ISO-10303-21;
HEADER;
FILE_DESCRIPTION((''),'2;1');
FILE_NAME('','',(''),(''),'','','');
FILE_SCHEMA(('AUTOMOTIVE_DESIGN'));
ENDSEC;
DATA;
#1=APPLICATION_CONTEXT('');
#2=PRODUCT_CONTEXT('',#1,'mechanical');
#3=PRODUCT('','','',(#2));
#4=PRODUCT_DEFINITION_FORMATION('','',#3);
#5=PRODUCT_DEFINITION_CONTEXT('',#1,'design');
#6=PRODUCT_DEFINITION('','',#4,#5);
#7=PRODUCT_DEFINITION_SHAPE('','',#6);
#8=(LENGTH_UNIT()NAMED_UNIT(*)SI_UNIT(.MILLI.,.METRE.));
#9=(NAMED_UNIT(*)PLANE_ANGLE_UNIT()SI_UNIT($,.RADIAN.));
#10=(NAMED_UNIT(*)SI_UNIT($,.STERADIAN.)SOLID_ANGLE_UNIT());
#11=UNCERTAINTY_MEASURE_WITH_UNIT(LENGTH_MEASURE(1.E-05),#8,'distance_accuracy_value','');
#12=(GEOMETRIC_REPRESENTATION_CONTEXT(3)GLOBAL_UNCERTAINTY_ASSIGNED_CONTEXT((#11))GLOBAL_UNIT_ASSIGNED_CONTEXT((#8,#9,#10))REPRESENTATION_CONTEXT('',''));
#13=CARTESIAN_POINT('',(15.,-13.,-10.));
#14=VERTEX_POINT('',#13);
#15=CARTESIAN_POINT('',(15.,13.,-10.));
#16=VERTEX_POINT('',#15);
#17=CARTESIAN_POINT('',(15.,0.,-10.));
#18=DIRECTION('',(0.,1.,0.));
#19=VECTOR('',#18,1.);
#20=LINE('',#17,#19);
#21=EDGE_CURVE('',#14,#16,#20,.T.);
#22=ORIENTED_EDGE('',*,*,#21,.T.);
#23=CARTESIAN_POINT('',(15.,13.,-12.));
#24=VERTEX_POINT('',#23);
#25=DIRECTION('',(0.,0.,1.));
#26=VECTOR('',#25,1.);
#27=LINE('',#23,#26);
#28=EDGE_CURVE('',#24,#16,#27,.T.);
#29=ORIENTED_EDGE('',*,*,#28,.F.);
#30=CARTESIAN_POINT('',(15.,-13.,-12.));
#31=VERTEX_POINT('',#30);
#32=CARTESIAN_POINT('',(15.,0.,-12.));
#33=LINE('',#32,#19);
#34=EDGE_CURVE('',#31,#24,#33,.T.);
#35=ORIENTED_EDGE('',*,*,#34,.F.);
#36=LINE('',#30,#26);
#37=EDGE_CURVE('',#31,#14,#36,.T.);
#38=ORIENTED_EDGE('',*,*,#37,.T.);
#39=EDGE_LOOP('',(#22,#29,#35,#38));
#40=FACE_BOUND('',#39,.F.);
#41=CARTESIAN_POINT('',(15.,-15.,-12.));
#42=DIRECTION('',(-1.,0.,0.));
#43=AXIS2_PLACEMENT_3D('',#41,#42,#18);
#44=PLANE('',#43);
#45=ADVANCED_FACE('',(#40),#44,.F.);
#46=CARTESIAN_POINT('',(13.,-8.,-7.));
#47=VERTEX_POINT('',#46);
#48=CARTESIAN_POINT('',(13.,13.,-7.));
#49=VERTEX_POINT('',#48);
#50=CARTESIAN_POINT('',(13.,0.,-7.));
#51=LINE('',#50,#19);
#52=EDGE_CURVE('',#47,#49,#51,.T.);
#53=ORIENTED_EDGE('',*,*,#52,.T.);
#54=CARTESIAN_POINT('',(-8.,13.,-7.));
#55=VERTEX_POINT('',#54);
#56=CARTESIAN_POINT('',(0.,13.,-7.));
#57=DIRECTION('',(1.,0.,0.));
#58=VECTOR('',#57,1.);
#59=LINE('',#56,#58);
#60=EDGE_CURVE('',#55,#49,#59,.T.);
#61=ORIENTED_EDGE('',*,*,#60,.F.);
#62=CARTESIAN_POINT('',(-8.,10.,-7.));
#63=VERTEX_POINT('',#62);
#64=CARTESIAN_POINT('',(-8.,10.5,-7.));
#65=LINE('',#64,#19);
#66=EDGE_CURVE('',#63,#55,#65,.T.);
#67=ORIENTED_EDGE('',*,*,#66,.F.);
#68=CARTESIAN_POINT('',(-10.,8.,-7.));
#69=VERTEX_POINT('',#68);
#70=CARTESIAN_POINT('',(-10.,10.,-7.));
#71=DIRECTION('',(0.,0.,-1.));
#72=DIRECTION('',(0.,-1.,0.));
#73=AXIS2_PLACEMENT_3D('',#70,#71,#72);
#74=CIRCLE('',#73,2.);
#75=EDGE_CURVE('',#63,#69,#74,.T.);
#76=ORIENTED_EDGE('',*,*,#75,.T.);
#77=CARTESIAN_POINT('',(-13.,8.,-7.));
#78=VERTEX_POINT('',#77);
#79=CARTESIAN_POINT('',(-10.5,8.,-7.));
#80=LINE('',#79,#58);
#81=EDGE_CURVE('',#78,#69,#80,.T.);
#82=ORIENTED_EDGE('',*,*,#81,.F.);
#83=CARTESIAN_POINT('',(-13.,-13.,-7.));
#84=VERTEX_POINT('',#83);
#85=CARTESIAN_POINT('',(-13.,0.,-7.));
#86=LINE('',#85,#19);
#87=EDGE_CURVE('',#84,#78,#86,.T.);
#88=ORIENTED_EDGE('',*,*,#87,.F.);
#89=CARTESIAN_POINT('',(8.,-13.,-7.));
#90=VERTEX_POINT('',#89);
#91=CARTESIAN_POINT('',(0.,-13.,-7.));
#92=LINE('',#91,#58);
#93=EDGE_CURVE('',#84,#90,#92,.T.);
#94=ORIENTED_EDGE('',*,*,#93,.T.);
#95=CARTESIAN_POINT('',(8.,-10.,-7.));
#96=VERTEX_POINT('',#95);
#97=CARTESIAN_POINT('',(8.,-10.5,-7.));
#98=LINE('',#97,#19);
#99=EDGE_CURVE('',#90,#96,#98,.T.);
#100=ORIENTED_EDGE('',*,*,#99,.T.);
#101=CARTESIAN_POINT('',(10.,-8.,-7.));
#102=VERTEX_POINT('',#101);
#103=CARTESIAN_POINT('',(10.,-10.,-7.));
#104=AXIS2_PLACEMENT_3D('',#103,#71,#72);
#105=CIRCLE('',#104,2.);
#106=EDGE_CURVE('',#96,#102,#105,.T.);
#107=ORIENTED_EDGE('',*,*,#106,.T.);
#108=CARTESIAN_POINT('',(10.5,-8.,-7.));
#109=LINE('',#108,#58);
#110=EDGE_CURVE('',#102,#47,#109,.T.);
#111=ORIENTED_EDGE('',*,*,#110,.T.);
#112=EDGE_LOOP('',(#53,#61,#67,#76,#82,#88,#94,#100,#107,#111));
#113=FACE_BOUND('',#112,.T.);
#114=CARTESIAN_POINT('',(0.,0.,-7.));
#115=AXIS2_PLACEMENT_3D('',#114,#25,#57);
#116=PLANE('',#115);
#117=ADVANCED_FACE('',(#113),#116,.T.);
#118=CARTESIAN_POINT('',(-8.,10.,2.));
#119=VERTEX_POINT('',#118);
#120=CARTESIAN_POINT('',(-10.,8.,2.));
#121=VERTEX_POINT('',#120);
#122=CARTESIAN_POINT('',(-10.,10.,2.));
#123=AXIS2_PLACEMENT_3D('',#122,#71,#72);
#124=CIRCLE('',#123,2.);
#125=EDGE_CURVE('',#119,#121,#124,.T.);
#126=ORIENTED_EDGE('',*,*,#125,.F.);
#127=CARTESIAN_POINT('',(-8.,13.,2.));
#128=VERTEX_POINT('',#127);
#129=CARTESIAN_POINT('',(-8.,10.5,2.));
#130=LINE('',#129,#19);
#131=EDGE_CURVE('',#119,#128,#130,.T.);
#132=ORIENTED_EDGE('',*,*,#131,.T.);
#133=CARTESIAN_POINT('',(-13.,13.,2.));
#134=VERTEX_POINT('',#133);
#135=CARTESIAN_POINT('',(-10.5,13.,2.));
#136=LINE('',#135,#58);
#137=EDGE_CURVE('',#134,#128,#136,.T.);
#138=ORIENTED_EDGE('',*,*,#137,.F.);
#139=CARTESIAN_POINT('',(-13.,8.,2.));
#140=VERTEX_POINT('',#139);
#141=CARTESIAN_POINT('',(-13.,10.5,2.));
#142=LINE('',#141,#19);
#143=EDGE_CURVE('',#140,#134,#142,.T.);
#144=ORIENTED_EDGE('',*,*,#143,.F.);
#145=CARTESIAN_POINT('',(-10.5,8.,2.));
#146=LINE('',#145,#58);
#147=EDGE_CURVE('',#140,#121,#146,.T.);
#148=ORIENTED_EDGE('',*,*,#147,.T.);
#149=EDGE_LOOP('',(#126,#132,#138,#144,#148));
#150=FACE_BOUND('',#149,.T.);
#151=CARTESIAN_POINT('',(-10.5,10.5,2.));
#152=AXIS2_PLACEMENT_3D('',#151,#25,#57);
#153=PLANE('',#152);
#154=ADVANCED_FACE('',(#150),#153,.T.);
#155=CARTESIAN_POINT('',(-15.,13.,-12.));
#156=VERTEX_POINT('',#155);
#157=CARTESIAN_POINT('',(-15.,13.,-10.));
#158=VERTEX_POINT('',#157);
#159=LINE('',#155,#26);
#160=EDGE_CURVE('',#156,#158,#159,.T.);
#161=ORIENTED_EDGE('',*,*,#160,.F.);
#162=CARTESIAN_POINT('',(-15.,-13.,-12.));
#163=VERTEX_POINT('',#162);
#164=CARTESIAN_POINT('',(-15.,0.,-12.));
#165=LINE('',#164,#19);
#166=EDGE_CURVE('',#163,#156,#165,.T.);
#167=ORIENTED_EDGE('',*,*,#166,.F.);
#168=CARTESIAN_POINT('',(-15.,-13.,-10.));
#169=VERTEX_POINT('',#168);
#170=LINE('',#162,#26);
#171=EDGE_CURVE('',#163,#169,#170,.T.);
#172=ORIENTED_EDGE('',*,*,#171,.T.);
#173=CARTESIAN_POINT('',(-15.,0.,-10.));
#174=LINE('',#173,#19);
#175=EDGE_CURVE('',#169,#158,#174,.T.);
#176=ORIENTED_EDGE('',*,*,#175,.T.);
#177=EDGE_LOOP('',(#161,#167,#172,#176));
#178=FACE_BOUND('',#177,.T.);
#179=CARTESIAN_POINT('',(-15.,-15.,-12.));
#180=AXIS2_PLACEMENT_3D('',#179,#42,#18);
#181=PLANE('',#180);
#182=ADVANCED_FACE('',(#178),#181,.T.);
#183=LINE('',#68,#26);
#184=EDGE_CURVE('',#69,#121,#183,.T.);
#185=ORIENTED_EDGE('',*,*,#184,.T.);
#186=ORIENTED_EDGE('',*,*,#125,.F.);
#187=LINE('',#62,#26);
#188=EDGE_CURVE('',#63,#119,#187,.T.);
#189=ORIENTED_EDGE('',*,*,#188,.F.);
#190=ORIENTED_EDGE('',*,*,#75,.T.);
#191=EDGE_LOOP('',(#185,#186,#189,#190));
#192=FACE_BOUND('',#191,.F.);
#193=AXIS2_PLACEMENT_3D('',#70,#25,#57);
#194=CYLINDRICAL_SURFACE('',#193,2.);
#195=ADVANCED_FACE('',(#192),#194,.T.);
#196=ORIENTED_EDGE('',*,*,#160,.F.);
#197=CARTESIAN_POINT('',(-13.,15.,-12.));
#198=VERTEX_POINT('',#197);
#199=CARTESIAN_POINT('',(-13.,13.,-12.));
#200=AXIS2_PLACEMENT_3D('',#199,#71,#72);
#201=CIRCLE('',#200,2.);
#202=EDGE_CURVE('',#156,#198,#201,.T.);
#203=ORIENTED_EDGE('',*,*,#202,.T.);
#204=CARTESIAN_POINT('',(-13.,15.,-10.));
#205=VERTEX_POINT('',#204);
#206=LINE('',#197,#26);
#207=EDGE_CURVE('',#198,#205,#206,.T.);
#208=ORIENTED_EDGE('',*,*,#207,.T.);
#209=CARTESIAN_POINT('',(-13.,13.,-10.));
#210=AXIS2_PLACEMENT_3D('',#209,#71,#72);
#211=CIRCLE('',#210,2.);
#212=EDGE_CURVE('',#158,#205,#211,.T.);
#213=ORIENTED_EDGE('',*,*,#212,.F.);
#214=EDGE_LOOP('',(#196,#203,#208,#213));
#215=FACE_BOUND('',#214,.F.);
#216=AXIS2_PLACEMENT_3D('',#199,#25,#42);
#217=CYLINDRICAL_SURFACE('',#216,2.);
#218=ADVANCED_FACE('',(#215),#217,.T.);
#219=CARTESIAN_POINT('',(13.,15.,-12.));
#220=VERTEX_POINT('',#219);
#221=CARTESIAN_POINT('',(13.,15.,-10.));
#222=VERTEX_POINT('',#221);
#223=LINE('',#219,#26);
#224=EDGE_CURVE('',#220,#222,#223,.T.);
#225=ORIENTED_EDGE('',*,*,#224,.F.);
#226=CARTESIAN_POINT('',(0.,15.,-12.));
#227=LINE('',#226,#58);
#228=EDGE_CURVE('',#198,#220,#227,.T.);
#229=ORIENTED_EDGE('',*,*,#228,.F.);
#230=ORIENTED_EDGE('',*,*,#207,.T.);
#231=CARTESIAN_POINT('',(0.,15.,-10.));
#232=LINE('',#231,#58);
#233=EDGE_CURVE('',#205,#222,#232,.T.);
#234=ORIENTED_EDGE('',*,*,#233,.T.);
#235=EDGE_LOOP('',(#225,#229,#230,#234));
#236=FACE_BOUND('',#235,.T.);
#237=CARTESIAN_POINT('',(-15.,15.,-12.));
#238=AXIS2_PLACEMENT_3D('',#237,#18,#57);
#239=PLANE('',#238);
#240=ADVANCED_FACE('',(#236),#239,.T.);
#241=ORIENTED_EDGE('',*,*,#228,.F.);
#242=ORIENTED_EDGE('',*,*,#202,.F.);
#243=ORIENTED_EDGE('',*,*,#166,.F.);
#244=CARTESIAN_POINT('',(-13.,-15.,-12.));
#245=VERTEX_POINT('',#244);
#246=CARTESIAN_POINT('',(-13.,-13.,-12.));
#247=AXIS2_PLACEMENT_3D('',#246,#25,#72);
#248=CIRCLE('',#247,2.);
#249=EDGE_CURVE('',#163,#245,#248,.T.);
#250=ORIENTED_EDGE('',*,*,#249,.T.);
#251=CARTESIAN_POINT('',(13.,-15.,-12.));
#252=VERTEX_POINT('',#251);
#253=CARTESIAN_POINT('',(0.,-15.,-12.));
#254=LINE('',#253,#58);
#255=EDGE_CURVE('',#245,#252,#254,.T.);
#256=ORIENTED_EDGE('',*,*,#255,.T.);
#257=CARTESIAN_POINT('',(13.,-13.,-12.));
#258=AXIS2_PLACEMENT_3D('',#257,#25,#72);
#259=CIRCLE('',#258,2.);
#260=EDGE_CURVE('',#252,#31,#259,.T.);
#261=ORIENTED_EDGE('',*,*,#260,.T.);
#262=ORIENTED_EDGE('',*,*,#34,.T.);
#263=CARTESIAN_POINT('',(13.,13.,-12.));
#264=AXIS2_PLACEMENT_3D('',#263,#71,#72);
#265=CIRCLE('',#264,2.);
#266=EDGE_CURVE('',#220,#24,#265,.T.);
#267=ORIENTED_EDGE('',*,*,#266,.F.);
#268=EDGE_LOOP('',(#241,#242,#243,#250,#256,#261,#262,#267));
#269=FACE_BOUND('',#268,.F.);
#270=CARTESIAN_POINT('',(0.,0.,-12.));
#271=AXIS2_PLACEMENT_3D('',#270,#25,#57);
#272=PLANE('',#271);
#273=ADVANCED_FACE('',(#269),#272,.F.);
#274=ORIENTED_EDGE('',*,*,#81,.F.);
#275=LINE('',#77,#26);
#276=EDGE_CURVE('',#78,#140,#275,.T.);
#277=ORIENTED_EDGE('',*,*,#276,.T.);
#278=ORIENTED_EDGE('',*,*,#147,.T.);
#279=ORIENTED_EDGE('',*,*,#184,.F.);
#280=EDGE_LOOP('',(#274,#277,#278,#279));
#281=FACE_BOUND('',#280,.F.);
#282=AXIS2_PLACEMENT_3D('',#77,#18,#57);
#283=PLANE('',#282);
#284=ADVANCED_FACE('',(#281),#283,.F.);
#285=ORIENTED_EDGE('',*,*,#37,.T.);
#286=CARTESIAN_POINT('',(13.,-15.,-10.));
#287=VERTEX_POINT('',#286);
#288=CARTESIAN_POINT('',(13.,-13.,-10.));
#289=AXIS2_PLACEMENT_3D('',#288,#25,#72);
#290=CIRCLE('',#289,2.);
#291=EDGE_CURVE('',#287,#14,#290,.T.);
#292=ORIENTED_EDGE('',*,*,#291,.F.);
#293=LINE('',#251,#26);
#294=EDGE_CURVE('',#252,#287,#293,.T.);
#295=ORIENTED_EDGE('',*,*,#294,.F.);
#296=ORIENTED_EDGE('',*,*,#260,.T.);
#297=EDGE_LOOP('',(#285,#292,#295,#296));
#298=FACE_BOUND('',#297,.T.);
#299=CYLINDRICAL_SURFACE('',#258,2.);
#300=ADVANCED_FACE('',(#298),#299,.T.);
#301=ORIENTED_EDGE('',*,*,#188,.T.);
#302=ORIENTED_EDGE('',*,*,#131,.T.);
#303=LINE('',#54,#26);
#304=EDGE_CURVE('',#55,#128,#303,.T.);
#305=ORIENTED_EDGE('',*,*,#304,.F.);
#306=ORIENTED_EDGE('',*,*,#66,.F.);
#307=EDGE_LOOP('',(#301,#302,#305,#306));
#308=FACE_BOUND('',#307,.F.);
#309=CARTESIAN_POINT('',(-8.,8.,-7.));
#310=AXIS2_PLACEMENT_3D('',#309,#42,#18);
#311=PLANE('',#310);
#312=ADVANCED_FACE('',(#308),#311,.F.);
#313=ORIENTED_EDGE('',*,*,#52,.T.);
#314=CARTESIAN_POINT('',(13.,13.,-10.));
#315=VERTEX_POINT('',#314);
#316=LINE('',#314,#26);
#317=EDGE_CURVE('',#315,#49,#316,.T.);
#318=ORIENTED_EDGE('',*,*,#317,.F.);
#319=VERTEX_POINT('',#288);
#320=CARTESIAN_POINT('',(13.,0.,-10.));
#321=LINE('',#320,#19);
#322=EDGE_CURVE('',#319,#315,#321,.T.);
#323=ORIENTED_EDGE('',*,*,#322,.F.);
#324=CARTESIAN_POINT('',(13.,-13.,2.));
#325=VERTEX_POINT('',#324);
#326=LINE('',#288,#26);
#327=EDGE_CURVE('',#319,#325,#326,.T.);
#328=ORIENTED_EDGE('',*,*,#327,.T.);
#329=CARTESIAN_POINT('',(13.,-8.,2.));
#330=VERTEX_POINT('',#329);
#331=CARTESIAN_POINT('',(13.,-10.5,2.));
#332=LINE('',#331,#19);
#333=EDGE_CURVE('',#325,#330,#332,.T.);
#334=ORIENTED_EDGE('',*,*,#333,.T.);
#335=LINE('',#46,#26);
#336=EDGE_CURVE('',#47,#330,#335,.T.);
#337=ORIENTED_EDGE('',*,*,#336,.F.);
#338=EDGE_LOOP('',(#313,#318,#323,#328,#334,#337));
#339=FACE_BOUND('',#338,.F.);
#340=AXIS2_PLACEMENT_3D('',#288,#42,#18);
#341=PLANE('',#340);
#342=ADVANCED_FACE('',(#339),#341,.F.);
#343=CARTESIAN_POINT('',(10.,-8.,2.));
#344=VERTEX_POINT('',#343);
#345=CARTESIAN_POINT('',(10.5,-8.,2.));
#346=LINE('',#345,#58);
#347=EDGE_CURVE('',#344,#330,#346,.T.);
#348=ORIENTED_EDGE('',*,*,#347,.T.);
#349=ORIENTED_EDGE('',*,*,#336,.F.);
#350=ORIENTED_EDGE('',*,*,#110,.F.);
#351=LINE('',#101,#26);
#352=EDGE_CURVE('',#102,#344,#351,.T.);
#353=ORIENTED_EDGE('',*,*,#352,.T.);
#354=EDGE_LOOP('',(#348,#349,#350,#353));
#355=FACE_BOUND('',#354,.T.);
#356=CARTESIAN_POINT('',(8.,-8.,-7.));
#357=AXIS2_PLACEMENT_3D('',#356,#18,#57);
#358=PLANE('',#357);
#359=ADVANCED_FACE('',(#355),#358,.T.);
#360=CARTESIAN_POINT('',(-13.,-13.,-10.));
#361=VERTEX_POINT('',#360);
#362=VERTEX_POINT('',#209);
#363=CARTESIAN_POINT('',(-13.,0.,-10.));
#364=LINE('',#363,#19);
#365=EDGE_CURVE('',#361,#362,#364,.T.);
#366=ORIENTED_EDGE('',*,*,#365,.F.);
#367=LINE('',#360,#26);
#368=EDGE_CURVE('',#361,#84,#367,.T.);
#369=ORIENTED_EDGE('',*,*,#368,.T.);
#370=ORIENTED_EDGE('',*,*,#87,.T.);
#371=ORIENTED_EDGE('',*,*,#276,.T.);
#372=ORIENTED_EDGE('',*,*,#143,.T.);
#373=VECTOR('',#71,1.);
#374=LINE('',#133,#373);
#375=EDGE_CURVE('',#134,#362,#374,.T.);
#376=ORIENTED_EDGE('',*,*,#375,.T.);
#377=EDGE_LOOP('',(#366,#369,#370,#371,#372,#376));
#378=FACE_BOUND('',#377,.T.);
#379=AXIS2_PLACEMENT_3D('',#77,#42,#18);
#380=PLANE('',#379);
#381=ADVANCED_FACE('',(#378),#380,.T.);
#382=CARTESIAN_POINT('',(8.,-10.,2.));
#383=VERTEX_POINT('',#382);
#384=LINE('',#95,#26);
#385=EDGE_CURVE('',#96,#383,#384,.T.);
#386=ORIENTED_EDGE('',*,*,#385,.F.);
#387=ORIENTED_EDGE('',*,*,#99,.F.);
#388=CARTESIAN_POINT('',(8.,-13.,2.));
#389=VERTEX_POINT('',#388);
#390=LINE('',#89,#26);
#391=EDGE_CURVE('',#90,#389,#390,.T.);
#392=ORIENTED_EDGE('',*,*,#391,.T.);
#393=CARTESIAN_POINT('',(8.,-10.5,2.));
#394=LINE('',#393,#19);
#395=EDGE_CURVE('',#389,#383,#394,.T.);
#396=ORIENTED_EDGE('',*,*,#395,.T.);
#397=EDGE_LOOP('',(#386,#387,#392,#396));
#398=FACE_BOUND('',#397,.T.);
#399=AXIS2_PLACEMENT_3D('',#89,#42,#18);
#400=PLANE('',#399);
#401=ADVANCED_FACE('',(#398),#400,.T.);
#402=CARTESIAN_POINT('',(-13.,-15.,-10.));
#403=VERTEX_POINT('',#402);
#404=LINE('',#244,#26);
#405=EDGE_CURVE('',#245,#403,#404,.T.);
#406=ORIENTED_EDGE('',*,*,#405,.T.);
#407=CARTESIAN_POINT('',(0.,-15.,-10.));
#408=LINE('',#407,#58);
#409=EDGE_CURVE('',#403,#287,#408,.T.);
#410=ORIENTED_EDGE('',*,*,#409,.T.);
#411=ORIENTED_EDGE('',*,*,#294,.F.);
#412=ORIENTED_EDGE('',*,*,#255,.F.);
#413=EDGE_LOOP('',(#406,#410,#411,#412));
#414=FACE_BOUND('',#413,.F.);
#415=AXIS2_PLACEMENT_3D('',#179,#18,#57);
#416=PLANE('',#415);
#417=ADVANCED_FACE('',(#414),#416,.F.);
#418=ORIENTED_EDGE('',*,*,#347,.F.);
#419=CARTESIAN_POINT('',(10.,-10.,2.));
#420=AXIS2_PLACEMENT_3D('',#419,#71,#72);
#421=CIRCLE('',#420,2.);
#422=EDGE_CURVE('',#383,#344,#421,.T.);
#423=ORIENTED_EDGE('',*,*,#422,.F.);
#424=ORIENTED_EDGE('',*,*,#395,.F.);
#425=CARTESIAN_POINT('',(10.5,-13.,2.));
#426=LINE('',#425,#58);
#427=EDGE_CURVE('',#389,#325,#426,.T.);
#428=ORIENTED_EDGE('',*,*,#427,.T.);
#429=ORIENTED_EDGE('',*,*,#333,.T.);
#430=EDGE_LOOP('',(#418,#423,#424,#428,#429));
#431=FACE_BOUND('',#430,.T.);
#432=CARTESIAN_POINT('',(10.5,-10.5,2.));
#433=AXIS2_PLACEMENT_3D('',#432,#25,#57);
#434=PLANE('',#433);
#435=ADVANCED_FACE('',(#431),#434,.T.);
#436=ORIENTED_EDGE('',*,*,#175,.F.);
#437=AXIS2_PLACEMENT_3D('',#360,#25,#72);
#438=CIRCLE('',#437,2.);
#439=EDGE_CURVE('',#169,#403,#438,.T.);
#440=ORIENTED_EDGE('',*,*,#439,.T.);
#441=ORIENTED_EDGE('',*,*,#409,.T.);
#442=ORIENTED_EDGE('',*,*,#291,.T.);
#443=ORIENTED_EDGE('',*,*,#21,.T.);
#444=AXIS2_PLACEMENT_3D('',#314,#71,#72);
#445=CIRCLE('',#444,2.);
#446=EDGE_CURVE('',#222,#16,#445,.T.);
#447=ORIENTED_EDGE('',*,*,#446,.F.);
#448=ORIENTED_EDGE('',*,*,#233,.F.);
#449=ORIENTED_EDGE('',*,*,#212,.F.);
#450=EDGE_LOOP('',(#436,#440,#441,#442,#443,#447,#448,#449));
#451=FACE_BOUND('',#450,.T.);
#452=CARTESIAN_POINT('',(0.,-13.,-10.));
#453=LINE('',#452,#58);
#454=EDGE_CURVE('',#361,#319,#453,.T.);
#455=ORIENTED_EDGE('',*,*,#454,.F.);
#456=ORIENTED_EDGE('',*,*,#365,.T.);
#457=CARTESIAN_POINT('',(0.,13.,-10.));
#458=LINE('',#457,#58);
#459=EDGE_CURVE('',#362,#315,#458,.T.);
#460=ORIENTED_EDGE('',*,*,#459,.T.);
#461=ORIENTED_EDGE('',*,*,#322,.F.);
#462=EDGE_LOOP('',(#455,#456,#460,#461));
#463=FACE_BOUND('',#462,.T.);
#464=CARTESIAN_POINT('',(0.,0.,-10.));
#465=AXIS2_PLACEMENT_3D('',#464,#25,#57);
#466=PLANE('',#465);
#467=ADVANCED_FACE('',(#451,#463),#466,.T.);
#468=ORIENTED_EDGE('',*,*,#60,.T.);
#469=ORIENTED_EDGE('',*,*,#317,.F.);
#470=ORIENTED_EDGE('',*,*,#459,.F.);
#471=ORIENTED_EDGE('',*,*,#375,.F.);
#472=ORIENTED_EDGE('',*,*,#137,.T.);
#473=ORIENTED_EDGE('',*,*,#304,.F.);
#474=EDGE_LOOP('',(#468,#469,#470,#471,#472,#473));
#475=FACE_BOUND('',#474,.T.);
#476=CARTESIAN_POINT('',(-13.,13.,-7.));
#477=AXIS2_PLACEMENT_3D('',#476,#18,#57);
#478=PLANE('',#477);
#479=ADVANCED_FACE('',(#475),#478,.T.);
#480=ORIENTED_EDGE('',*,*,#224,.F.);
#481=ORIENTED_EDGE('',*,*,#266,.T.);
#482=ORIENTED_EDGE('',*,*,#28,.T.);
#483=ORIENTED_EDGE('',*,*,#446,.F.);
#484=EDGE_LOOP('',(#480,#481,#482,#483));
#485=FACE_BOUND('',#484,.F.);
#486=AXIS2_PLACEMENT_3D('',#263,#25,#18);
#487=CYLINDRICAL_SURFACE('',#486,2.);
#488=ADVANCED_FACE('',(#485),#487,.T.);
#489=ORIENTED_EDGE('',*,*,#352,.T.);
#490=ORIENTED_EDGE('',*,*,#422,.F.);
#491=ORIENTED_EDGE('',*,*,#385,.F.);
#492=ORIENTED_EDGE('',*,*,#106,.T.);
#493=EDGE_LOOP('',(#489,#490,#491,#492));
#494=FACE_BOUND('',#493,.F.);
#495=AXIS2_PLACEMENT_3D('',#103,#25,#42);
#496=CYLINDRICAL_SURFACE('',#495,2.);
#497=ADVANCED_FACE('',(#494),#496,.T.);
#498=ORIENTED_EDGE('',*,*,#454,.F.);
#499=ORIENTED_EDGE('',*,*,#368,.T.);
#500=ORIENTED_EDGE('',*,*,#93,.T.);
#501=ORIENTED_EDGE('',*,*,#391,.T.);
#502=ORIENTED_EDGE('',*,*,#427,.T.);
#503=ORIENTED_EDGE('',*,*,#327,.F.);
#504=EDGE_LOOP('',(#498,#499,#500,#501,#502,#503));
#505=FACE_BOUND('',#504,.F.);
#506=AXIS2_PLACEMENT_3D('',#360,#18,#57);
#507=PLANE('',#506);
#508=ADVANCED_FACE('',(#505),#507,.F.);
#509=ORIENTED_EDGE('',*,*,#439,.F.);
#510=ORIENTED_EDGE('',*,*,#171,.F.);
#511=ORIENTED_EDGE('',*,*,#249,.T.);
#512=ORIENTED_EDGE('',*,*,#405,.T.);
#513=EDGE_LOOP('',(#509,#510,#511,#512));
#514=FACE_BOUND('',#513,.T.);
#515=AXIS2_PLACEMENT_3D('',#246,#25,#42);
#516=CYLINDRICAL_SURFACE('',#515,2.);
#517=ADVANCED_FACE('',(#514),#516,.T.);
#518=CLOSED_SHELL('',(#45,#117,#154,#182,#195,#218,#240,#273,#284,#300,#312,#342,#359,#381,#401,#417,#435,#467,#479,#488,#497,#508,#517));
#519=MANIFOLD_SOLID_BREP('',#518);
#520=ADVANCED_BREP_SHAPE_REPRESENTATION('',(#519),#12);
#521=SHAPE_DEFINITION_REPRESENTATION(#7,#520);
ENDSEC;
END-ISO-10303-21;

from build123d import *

# Parameters (mm, degrees)
BOX013_W     = 26
BOX013_H     = 26
BOX013_DEPTH = 3
BOX014_W     = 5
BOX014_H     = 5
BOX014_DEPTH = 9
BOX012_W     = 30
BOX012_H     = 30
BOX012_DEPTH = 2
BOX015_W     = 5
BOX015_H     = 5
BOX015_DEPTH = 9
FILLET001_R  = 2
FILLET002_R  = 2


with BuildPart() as kapakic:
    # Box013 → Box013 (new body)
    with BuildSketch(Plane(origin=(-13, -13, -10), x_dir=(1, 0, 0), z_dir=(0, 0, 1))):
        with Locations((13, 13)):
            Rectangle(BOX013_W, BOX013_H)
    extrude(amount=BOX013_DEPTH)


with BuildPart() as kapakcikinti1:
    # Box014 → Box014 (new body)
    with BuildSketch(Plane(origin=(-13, 8, -7), x_dir=(1, 0, 0), z_dir=(0, 0, 1))):
        with Locations((2.5, 2.5)):
            Rectangle(BOX014_W, BOX014_H)
    extrude(amount=BOX014_DEPTH)


with BuildPart() as kapakgenis:
    # Box012 → Box012 (new body)
    with BuildSketch(Plane(origin=(-15, -15, -12), x_dir=(1, 0, 0), z_dir=(0, 0, 1))):
        with Locations((15, 15)):
            Rectangle(BOX012_W, BOX012_H)
    extrude(amount=BOX012_DEPTH)


with BuildPart() as fillet002:
    # Box015 → Box015 (new body)
    with BuildSketch(Plane(origin=(8, -13, -7), x_dir=(1, 0, 0), z_dir=(0, 0, 1))):
        with Locations((2.5, 2.5)):
            Rectangle(BOX015_W, BOX015_H)
    extrude(amount=BOX015_DEPTH)

    # Fusion004: union KapakIc, KapakCikinti1, KapakGenis
    add(kapakic.part)
    add(kapakcikinti1.part)
    add(kapakgenis.part)

    # Fillet001
    fillet001_edges = [fillet002.edges().sort_by_distance(p)[0] for p in [
        (-15, -15, -11),
        (-15, 15, -11),
        (15, 15, -11),
        (15, -15, -11),
    ]]
    fillet(fillet001_edges, radius=FILLET001_R)

    # Fillet002
    fillet002_edges = [fillet002.edges().sort_by_distance(p)[0] for p in [
        (-8, 8, -2.5),
        (8, -8, -2.5),
    ]]
    fillet(fillet002_edges, radius=FILLET002_R)


solid = fillet002.part
